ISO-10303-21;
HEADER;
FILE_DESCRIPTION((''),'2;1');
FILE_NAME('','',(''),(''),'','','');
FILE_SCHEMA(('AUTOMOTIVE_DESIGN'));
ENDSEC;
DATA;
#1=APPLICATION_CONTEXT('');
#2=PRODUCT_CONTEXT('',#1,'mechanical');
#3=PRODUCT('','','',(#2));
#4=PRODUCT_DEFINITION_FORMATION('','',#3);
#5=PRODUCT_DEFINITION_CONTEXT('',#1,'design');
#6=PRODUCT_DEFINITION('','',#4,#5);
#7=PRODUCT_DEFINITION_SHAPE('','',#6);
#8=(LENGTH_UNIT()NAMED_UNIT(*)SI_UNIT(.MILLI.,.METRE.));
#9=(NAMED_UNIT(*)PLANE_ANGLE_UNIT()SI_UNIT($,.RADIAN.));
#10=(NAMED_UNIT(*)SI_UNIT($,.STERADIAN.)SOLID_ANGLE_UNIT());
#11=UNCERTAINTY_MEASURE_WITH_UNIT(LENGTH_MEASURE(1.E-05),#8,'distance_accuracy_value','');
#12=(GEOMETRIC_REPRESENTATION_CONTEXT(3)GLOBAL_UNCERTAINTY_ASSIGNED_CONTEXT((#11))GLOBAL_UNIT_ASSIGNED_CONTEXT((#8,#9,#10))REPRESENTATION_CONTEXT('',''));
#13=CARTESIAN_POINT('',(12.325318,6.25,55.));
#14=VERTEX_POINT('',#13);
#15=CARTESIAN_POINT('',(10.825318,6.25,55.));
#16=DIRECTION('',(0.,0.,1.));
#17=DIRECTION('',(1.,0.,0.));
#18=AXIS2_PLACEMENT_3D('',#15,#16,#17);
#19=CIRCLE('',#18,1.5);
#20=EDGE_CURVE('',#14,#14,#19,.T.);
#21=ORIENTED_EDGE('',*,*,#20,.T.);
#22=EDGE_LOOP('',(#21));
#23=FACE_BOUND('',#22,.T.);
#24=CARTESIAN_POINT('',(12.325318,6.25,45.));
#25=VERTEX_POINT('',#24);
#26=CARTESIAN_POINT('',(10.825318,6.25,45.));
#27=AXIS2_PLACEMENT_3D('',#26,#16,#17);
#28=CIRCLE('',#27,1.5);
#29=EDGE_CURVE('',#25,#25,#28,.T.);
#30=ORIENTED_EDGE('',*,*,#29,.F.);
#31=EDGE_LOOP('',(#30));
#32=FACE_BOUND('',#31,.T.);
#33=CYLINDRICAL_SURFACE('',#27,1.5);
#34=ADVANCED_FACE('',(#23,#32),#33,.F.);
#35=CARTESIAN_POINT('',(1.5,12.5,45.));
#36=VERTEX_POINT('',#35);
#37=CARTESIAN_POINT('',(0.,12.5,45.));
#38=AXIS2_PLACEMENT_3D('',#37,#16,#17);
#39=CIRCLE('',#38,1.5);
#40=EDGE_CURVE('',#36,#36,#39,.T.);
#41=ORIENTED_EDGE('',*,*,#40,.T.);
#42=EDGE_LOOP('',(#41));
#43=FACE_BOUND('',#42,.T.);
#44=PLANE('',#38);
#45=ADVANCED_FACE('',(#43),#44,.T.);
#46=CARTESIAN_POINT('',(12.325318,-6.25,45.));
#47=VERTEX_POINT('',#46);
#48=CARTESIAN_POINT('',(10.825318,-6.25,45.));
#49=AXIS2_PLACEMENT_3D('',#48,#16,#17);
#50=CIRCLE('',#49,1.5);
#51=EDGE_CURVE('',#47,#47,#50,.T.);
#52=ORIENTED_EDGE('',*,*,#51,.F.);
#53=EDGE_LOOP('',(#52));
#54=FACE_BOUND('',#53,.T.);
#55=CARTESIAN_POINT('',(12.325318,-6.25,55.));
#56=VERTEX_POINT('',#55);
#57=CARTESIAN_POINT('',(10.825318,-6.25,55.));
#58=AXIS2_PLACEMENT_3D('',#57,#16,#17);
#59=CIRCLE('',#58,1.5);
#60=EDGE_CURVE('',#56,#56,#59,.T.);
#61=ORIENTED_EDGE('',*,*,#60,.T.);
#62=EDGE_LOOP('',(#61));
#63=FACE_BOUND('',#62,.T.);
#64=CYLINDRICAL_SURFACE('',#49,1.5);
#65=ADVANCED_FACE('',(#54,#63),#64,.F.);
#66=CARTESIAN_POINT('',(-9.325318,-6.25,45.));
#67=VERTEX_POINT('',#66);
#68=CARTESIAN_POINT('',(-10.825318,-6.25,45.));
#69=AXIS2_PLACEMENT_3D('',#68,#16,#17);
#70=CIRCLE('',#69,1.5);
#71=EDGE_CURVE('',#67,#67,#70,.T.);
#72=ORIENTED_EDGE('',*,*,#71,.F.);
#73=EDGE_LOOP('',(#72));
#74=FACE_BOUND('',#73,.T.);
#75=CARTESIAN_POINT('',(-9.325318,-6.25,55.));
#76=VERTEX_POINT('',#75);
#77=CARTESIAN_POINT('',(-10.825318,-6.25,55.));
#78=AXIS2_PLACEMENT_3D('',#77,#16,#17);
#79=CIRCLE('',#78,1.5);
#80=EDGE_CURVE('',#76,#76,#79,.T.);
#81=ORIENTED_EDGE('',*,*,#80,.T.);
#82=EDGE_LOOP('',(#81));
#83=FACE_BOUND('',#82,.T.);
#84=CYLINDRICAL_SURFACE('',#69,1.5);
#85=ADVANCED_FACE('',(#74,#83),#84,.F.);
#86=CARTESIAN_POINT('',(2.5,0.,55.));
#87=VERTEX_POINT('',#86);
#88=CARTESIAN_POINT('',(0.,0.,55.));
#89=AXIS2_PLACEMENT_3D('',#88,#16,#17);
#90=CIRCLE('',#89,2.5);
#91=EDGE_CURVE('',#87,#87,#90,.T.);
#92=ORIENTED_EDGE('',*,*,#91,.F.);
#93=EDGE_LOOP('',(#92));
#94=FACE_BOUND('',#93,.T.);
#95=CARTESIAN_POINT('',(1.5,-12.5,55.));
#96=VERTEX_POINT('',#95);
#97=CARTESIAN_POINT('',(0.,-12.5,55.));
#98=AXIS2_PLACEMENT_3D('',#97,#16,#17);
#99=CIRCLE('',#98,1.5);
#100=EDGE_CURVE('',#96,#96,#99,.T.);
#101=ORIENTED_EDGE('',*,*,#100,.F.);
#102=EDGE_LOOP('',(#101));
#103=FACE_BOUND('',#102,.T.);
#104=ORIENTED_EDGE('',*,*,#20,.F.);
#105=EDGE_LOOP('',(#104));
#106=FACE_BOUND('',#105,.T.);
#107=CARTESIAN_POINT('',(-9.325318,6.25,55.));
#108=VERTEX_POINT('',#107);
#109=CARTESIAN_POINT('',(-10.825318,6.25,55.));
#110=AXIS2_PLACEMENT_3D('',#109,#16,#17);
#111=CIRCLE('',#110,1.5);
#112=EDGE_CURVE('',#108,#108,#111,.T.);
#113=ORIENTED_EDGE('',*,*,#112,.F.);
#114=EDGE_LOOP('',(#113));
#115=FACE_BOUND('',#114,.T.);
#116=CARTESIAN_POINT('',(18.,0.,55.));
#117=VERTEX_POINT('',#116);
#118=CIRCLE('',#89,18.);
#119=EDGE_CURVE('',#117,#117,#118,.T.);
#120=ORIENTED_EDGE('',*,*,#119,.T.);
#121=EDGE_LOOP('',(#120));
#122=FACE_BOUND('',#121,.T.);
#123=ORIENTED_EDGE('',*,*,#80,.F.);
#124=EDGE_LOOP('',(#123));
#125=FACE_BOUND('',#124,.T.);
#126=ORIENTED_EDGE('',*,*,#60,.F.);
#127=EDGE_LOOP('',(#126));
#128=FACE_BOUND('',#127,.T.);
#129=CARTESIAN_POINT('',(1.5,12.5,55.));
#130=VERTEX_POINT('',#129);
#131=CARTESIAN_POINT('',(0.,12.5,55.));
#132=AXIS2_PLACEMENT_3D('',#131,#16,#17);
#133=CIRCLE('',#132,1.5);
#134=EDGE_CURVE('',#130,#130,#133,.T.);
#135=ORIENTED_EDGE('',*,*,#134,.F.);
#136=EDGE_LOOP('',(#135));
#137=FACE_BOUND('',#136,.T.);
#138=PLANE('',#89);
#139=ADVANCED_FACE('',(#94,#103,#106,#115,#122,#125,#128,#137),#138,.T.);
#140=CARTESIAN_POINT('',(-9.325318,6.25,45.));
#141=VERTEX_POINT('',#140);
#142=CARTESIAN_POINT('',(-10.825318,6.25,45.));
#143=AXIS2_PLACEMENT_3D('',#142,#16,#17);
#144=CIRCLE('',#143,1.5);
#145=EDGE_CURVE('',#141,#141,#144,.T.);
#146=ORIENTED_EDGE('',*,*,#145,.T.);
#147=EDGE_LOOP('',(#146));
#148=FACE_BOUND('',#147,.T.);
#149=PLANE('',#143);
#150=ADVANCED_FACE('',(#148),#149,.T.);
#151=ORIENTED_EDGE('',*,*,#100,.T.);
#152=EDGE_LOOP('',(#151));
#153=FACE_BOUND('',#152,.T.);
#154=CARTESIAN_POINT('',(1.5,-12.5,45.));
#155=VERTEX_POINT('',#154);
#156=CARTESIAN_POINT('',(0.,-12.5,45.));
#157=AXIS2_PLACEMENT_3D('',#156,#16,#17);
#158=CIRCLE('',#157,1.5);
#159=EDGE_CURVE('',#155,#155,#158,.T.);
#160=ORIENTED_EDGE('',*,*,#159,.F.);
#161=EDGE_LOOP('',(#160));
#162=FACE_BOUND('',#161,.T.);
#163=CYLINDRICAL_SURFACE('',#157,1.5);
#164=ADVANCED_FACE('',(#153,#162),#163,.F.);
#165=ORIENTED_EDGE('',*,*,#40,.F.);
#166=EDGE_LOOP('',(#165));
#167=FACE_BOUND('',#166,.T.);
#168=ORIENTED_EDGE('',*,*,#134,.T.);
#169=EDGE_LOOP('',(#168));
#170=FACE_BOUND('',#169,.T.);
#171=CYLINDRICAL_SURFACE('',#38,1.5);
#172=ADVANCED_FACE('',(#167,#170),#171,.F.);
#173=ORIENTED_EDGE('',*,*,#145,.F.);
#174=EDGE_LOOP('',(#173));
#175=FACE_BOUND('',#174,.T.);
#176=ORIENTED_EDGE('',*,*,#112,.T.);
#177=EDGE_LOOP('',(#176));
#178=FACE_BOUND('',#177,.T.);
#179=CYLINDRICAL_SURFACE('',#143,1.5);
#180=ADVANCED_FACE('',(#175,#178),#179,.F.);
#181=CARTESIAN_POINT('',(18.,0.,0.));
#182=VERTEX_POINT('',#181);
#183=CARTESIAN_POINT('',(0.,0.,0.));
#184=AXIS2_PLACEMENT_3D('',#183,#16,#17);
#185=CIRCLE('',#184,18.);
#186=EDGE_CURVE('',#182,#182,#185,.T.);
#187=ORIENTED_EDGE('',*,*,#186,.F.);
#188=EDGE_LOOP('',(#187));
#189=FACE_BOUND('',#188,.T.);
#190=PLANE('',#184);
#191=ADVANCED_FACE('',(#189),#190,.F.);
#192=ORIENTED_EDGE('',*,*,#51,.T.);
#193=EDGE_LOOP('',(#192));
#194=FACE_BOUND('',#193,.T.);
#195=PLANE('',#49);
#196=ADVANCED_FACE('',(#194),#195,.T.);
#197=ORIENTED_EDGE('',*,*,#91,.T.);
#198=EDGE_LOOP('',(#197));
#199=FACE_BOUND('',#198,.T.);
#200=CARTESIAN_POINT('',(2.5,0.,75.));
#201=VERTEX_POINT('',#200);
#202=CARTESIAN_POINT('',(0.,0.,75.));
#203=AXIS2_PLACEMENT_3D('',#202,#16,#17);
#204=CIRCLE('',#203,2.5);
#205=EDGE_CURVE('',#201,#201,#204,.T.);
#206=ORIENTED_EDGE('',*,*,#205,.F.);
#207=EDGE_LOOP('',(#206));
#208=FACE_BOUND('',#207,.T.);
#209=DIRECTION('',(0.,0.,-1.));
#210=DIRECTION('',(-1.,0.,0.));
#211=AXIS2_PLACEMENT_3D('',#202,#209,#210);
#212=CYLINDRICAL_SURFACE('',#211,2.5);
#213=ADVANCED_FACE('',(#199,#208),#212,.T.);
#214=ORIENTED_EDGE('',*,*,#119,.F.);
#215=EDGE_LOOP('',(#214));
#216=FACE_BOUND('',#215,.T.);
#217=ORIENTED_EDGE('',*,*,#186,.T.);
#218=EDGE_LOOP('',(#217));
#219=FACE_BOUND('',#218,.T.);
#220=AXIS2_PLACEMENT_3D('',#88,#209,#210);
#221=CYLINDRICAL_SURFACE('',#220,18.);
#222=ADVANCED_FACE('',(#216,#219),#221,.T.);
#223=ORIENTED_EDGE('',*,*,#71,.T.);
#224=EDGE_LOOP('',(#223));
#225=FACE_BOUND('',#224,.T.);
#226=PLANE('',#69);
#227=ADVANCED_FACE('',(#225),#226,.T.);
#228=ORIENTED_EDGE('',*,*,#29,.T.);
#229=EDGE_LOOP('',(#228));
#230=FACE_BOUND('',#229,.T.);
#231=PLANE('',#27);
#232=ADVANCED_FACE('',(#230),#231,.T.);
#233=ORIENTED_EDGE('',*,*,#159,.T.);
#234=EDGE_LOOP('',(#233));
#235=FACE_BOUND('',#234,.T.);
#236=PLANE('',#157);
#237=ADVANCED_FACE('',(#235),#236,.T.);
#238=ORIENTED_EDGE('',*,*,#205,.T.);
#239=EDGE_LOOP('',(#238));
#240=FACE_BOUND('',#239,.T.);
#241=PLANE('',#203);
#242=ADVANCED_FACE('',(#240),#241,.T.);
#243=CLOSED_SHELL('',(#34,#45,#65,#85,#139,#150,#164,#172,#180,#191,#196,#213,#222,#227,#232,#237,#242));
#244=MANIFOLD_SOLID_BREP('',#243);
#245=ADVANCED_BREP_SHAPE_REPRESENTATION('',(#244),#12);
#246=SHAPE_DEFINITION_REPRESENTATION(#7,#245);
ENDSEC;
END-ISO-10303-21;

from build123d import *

# Parameters (mm, degrees)
SKETCH1_R           = 18
BOSS_EXTRUDE1_DEPTH = 55
SKETCH2_R           = 2.5
BOSS_EXTRUDE2_DEPTH = 20
SKETCH3_R           = 1.5
CUT_EXTRUDE1_DEPTH  = 10


with BuildPart() as part:
    # Sketch1 → Boss-Extrude1 (new body)
    with BuildSketch(Plane.XY):
        Circle(SKETCH1_R)
    extrude(amount=BOSS_EXTRUDE1_DEPTH)

    # Sketch2 → Boss-Extrude2 (add)
    with BuildSketch(Plane.XY.offset(55)):
        Circle(SKETCH2_R)
    extrude(amount=BOSS_EXTRUDE2_DEPTH)

    # Sketch3 → Cut-Extrude1 (cut)
    with BuildSketch(Plane.XY.offset(55)):
        with Locations((0, 12.5)):
            Circle(SKETCH3_R)
        with Locations((10.825317547, 6.25)):
            Circle(SKETCH3_R)
        with Locations((10.825317547, -6.25)):
            Circle(SKETCH3_R)
        with Locations((0, -12.5)):
            Circle(SKETCH3_R)
        with Locations((-10.825317547, -6.25)):
            Circle(SKETCH3_R)
        with Locations((-10.825317547, 6.25)):
            Circle(SKETCH3_R)
    extrude(amount=-CUT_EXTRUDE1_DEPTH, mode=Mode.SUBTRACT)


solid = part.part
